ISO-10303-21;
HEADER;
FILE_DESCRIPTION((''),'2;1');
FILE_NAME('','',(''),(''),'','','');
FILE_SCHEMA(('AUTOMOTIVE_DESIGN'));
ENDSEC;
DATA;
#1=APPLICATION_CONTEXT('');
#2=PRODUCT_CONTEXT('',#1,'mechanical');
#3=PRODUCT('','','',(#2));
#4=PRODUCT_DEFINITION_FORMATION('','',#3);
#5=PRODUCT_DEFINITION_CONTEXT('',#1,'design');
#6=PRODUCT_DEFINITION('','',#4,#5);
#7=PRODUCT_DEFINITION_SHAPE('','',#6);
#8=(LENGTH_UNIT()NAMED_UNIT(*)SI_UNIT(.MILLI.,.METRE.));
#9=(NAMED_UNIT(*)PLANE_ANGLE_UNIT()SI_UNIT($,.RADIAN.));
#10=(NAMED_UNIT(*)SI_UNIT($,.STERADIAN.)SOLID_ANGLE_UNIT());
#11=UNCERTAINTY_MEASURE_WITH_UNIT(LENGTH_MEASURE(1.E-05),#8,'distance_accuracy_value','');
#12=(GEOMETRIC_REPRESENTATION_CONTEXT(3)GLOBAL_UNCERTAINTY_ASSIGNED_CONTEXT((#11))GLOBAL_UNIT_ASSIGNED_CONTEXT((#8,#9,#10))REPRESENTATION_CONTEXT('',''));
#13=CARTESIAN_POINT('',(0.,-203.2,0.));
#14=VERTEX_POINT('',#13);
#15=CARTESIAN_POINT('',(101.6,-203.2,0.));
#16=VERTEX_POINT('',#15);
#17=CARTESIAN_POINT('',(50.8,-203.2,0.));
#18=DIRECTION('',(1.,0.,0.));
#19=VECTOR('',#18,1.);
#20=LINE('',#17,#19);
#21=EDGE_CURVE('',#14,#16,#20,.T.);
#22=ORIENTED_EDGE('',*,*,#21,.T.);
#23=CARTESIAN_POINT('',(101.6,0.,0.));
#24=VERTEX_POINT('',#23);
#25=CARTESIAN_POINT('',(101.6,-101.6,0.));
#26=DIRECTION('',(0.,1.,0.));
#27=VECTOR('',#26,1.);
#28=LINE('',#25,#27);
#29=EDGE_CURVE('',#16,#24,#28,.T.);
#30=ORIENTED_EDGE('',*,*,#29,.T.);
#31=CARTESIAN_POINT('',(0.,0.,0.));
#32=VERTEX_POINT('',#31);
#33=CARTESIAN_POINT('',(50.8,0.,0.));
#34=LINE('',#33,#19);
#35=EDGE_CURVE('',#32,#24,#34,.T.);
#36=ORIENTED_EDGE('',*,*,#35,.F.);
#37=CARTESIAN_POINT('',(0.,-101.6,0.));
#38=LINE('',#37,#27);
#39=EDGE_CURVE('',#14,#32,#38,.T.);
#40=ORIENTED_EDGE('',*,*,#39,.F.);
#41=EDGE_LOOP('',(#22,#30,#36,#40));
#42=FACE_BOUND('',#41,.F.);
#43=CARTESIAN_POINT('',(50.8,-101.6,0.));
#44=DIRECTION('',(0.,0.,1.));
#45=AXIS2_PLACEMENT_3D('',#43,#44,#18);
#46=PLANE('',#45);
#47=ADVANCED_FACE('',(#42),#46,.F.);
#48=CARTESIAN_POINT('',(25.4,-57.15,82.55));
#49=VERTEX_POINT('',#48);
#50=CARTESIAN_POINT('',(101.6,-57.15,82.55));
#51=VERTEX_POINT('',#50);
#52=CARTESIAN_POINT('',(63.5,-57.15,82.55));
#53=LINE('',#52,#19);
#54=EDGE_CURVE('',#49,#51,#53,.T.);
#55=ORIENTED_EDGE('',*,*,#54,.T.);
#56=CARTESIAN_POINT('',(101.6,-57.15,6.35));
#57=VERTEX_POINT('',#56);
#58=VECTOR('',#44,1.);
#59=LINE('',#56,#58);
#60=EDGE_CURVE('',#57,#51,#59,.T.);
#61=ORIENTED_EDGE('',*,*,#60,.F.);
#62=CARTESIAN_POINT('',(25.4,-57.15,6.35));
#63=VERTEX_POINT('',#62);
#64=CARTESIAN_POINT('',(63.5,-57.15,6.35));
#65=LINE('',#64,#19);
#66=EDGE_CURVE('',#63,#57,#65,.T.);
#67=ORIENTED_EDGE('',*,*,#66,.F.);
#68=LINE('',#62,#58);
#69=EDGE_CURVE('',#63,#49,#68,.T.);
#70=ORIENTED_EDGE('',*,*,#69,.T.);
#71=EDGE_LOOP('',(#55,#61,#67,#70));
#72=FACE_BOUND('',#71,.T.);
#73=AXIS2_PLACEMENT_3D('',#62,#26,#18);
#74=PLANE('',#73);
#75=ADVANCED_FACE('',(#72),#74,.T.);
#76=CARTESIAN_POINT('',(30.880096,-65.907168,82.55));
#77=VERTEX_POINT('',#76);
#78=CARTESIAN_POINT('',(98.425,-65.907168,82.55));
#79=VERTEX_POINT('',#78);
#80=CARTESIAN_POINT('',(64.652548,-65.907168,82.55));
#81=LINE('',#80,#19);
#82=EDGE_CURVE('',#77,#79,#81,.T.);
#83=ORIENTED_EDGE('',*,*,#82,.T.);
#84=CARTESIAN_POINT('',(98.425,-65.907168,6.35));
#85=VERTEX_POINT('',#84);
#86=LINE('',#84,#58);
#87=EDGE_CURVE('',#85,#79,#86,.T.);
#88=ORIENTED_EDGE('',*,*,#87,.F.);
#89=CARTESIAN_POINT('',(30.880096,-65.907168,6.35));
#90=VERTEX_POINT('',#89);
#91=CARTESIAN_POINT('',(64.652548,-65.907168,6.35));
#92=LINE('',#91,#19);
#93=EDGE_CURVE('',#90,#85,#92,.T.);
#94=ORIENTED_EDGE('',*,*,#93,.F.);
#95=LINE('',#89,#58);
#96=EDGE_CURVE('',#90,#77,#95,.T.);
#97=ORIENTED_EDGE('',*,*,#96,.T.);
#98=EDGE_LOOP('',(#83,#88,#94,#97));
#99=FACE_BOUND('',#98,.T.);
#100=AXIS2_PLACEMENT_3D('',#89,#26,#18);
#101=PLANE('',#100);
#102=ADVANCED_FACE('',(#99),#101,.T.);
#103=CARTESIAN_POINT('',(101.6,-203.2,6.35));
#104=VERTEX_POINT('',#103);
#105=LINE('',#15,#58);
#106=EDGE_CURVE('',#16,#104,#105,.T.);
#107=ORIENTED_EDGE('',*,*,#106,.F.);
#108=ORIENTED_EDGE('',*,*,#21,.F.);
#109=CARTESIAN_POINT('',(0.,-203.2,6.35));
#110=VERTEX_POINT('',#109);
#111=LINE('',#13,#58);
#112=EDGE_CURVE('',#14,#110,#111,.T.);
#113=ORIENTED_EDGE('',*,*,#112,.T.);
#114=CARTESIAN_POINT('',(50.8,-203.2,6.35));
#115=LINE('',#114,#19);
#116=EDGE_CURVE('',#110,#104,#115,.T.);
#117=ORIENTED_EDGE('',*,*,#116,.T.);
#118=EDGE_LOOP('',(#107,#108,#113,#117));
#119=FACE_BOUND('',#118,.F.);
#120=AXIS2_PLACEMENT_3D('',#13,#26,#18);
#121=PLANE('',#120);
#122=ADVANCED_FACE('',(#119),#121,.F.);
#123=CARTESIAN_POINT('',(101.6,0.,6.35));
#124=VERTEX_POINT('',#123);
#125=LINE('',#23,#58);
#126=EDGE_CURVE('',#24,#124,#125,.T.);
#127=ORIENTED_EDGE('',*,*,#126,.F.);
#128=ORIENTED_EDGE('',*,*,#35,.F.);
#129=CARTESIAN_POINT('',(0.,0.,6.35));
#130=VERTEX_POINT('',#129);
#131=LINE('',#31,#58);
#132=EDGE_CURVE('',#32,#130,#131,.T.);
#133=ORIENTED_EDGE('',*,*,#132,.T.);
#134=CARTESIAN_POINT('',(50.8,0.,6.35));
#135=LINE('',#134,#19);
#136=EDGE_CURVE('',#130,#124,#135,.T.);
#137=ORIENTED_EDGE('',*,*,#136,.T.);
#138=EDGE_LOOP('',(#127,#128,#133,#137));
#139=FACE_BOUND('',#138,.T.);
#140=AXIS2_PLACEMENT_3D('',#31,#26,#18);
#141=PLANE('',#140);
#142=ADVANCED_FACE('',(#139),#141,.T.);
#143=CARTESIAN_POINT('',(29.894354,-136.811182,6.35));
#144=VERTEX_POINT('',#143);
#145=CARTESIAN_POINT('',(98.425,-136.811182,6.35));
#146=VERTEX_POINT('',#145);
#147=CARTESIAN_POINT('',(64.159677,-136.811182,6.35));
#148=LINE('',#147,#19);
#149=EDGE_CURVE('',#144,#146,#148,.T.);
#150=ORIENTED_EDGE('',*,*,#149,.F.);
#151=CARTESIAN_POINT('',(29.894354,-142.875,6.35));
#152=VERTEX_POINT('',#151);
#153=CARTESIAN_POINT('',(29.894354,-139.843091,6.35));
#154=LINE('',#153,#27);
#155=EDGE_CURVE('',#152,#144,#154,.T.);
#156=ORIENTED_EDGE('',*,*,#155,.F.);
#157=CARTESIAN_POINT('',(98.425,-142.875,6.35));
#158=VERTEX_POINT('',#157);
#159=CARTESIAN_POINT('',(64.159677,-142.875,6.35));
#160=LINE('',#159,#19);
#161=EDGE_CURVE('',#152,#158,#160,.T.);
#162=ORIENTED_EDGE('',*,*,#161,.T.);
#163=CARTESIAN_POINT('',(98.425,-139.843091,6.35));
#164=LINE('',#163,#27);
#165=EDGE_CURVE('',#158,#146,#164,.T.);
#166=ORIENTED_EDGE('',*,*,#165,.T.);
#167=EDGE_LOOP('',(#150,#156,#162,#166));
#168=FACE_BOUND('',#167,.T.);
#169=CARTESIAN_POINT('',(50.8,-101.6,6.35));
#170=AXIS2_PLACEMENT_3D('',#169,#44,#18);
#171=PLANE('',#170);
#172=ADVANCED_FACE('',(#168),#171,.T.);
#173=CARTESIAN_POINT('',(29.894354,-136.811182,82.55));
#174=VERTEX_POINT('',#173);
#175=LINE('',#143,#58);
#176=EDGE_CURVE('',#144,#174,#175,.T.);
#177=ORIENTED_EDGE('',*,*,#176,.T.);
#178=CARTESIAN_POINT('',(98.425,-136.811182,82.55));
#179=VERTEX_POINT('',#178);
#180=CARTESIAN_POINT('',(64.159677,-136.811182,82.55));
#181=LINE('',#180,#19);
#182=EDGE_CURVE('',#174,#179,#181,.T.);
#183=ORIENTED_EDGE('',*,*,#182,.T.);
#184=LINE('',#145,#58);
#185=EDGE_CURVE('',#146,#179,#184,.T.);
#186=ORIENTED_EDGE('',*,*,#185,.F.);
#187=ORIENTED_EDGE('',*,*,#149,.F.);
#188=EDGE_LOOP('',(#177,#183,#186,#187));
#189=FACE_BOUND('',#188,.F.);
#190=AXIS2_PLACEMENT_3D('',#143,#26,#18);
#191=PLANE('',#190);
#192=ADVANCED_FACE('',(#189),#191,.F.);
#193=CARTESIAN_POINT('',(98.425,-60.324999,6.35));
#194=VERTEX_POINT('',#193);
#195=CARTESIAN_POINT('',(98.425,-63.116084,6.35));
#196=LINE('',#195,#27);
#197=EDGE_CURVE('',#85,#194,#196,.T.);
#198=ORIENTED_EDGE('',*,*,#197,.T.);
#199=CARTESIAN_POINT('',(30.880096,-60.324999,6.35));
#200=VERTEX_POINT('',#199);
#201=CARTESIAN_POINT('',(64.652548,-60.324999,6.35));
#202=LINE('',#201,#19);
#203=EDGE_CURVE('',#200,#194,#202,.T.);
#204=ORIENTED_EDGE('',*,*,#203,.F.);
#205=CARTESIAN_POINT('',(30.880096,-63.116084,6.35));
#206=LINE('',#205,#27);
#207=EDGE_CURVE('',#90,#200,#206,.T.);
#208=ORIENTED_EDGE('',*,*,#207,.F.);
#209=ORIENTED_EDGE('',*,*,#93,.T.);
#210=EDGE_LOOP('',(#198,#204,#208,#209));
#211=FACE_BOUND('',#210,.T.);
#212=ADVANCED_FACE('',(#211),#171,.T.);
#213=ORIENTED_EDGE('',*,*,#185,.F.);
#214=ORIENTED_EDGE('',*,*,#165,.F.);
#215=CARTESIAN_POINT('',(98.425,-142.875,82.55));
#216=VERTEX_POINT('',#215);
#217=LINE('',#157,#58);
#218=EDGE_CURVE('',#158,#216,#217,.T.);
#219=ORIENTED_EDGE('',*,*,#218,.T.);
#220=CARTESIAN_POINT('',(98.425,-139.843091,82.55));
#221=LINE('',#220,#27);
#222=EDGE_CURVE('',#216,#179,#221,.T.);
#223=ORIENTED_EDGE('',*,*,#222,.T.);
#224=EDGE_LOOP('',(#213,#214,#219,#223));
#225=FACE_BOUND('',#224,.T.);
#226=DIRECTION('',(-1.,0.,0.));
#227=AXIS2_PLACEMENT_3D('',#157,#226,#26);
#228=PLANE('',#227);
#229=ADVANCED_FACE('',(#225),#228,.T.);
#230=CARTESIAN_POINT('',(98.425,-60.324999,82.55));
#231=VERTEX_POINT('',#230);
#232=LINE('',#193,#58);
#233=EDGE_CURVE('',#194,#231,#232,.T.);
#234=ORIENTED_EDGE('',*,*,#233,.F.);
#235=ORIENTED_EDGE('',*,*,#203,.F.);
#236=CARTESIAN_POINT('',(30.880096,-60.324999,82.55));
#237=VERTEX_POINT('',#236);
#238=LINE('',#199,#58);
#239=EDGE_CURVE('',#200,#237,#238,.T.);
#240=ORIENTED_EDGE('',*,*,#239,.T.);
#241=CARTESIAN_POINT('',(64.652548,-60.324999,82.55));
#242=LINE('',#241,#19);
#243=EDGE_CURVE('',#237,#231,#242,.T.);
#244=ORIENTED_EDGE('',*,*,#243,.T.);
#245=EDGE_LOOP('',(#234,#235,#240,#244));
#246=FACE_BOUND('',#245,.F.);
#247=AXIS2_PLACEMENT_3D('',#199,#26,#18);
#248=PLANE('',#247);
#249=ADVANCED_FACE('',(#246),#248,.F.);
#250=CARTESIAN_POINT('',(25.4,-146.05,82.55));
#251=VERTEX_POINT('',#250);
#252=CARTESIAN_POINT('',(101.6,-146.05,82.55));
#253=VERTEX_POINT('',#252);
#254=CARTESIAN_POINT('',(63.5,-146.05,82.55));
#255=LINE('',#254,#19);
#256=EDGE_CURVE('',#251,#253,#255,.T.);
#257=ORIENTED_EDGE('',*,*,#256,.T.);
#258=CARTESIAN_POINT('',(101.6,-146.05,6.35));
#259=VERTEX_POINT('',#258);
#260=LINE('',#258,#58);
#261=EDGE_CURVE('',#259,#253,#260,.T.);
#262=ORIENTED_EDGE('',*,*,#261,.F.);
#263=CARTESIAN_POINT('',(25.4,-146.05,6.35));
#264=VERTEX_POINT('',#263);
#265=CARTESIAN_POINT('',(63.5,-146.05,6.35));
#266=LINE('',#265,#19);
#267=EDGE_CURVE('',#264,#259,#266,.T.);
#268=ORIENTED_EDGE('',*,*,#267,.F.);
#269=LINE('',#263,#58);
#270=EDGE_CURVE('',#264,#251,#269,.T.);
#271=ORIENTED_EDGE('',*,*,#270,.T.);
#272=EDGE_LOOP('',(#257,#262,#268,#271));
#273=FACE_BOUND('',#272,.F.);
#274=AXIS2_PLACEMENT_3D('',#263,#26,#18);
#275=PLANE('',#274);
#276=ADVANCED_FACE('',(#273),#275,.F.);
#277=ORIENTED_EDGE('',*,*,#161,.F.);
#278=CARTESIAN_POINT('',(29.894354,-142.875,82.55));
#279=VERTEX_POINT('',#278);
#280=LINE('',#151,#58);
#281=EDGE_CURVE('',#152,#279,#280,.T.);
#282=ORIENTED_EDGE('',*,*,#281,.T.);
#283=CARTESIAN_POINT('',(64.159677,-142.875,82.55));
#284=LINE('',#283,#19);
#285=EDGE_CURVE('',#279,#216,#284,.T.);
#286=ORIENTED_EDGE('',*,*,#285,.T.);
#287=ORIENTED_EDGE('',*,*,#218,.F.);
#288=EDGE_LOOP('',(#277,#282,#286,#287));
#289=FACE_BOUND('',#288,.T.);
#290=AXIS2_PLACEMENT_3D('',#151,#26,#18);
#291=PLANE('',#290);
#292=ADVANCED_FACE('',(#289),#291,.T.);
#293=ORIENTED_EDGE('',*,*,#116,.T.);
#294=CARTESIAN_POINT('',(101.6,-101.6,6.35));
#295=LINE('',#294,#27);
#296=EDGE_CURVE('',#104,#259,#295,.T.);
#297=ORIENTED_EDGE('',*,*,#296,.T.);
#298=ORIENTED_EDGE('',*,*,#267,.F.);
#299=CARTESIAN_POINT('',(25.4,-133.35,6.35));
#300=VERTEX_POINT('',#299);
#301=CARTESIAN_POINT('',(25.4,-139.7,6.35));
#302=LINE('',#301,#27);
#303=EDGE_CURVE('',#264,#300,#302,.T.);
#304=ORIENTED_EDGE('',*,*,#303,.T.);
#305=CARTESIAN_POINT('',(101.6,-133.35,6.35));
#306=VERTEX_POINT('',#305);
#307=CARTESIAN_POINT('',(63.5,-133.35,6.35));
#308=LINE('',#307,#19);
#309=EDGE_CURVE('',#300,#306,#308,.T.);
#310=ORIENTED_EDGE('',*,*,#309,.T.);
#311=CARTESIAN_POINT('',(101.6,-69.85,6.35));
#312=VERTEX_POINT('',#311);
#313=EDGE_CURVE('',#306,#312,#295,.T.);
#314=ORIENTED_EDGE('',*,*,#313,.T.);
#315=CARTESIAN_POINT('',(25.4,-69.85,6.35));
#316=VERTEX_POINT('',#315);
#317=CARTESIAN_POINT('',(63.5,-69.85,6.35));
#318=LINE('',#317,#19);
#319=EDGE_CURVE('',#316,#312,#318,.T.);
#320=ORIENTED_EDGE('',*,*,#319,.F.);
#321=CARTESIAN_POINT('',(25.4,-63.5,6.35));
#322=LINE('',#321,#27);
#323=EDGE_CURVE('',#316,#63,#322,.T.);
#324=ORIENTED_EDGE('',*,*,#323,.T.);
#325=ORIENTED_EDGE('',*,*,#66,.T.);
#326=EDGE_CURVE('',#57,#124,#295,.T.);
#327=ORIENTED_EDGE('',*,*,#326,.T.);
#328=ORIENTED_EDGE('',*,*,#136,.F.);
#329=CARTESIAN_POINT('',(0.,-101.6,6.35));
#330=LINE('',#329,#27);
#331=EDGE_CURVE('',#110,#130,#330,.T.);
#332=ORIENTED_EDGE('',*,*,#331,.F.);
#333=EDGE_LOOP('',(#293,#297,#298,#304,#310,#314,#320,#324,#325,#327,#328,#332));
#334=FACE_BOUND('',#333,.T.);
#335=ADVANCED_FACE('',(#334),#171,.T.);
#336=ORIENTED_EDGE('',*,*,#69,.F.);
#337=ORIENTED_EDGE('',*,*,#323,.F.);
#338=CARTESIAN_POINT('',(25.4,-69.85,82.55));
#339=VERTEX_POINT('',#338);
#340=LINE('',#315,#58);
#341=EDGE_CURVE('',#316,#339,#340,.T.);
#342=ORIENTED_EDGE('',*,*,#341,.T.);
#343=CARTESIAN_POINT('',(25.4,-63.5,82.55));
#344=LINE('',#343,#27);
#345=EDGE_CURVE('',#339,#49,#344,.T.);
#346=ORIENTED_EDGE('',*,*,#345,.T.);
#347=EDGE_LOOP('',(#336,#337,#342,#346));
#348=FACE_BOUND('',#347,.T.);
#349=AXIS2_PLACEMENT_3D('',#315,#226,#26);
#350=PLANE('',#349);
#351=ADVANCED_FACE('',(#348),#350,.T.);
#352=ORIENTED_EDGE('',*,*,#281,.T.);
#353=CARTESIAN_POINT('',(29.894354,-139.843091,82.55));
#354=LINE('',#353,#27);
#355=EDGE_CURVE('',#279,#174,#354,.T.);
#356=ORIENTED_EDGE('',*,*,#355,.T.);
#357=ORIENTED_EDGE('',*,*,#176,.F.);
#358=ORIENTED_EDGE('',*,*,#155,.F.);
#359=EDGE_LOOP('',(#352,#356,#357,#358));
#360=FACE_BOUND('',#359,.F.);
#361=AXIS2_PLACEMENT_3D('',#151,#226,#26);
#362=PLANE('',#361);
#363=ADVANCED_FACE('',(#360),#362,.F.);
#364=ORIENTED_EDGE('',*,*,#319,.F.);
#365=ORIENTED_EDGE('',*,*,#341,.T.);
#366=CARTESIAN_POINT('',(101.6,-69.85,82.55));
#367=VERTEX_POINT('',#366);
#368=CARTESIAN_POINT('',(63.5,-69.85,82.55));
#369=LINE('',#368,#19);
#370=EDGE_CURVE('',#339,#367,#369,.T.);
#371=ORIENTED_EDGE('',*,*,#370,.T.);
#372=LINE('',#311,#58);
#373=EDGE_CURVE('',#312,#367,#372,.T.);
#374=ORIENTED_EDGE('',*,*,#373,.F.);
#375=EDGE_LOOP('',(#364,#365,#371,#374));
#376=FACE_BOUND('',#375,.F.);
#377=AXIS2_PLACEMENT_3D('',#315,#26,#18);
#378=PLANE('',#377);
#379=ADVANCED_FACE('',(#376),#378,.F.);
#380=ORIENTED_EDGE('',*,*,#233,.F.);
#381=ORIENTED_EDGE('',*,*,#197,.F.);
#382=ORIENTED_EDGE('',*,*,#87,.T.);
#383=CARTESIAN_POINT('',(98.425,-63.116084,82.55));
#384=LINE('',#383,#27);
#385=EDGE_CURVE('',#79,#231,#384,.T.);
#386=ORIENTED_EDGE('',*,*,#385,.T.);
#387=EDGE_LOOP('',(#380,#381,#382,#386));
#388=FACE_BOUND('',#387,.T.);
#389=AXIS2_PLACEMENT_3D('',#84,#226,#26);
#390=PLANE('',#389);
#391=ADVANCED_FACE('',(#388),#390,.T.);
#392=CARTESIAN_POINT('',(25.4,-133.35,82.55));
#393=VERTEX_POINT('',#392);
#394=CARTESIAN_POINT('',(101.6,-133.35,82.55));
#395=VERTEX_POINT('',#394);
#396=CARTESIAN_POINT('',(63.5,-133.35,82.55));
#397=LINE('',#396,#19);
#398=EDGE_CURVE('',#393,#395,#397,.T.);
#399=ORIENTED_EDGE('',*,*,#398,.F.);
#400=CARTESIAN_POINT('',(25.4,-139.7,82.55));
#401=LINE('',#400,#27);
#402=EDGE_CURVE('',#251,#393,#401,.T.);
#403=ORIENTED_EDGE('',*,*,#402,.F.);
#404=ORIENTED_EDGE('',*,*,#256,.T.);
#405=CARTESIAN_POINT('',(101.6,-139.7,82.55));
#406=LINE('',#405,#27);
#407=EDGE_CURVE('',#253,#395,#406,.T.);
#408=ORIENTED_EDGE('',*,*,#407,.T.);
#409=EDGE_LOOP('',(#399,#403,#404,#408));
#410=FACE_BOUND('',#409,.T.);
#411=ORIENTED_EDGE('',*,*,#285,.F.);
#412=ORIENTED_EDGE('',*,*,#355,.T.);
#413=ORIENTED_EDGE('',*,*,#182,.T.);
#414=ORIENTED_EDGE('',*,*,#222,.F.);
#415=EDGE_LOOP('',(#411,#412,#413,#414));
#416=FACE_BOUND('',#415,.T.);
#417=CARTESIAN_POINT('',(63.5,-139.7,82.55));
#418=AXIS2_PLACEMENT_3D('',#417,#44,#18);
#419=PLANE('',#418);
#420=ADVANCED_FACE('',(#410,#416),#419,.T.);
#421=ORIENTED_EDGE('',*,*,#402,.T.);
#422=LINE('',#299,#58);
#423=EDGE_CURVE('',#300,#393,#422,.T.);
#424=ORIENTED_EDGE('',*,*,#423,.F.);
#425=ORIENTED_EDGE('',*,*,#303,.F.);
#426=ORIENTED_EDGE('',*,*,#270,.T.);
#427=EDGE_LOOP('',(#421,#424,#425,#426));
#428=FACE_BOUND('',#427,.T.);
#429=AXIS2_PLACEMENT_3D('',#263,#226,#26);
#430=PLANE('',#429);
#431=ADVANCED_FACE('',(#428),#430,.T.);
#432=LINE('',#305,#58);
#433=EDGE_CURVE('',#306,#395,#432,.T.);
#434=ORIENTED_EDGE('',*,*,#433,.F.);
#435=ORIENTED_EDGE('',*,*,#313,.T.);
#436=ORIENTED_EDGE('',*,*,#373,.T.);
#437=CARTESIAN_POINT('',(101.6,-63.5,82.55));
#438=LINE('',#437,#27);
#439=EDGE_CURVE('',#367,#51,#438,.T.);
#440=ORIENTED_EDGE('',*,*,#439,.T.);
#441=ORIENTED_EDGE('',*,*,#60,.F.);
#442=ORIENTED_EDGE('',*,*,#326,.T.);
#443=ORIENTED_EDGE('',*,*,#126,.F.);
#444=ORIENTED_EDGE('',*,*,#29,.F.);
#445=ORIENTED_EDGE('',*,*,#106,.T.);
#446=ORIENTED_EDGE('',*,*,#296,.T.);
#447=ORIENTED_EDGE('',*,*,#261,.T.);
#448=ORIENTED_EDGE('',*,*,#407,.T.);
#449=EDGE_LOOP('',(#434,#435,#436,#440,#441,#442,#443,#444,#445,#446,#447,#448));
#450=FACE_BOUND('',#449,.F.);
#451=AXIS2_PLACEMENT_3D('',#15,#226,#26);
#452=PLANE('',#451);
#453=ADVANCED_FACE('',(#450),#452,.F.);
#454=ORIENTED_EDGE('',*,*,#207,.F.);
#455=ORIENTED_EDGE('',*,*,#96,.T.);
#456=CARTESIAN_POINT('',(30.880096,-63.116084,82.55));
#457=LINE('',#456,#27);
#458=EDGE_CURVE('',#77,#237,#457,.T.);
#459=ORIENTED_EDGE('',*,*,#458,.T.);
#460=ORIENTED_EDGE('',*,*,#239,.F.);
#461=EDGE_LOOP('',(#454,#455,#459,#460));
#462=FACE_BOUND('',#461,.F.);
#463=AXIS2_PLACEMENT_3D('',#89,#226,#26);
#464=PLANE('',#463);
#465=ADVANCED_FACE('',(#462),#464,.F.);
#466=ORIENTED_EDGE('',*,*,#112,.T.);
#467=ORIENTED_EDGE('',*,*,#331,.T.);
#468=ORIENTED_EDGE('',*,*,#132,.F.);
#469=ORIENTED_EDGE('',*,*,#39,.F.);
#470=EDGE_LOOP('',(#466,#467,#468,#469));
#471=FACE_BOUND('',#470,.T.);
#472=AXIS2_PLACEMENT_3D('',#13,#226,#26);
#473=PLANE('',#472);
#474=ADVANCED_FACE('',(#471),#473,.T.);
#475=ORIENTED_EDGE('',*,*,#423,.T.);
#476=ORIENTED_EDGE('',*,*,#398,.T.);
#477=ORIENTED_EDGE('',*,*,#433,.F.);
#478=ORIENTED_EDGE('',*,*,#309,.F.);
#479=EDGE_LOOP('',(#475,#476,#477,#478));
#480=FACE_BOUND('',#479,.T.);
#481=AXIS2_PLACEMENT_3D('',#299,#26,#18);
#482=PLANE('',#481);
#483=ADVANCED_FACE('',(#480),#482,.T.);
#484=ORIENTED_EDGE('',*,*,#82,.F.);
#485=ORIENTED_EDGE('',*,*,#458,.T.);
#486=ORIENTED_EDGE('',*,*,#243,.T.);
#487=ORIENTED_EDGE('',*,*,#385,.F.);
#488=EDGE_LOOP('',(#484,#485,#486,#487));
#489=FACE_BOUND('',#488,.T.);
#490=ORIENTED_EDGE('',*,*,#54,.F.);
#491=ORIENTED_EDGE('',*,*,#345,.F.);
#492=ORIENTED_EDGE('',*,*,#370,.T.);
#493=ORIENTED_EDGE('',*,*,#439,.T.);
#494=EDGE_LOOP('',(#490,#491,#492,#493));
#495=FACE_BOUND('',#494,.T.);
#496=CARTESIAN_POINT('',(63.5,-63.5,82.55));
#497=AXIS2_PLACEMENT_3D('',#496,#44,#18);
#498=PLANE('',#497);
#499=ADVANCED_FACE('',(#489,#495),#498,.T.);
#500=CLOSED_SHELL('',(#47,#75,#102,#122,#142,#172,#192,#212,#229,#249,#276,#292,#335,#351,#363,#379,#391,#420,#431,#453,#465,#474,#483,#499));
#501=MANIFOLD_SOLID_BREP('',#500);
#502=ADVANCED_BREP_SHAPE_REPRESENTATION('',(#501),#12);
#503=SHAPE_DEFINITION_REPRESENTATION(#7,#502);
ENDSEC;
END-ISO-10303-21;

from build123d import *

# Parameters (mm, degrees)
F0_W     = 101.6
F0_H     = 203.2
F1_DEPTH = 6.35
F2_W     = 76.2
F2_H     = 12.7
F2_W_2   = 67.544904
F2_H_2   = 5.582169
F2_W_3   = 68.530646
F2_H_3   = 6.063819
F3_DEPTH = 76.2


with BuildPart() as f1:
    # F0 (on Top) → F1 (new body)
    with BuildSketch(Plane.XY):
        with Locations((50.8, -101.6)):
            Rectangle(F0_W, F0_H)
    extrude(amount=F1_DEPTH)

    # F2 (on face) → F3 (join)
    with BuildSketch(Plane.XY.offset(6.35)):
        with Locations((63.5, -63.5)):
            Rectangle(F2_W, F2_H)
        with Locations((64.652548, -63.116084)):
            Rectangle(F2_W_2, F2_H_2, mode=Mode.SUBTRACT)
        with Locations((63.5, -139.7)):
            Rectangle(F2_W, F2_H)
        with Locations((64.159677, -139.843091)):
            Rectangle(F2_W_3, F2_H_3, mode=Mode.SUBTRACT)
    extrude(amount=F3_DEPTH)


solid = f1.part
